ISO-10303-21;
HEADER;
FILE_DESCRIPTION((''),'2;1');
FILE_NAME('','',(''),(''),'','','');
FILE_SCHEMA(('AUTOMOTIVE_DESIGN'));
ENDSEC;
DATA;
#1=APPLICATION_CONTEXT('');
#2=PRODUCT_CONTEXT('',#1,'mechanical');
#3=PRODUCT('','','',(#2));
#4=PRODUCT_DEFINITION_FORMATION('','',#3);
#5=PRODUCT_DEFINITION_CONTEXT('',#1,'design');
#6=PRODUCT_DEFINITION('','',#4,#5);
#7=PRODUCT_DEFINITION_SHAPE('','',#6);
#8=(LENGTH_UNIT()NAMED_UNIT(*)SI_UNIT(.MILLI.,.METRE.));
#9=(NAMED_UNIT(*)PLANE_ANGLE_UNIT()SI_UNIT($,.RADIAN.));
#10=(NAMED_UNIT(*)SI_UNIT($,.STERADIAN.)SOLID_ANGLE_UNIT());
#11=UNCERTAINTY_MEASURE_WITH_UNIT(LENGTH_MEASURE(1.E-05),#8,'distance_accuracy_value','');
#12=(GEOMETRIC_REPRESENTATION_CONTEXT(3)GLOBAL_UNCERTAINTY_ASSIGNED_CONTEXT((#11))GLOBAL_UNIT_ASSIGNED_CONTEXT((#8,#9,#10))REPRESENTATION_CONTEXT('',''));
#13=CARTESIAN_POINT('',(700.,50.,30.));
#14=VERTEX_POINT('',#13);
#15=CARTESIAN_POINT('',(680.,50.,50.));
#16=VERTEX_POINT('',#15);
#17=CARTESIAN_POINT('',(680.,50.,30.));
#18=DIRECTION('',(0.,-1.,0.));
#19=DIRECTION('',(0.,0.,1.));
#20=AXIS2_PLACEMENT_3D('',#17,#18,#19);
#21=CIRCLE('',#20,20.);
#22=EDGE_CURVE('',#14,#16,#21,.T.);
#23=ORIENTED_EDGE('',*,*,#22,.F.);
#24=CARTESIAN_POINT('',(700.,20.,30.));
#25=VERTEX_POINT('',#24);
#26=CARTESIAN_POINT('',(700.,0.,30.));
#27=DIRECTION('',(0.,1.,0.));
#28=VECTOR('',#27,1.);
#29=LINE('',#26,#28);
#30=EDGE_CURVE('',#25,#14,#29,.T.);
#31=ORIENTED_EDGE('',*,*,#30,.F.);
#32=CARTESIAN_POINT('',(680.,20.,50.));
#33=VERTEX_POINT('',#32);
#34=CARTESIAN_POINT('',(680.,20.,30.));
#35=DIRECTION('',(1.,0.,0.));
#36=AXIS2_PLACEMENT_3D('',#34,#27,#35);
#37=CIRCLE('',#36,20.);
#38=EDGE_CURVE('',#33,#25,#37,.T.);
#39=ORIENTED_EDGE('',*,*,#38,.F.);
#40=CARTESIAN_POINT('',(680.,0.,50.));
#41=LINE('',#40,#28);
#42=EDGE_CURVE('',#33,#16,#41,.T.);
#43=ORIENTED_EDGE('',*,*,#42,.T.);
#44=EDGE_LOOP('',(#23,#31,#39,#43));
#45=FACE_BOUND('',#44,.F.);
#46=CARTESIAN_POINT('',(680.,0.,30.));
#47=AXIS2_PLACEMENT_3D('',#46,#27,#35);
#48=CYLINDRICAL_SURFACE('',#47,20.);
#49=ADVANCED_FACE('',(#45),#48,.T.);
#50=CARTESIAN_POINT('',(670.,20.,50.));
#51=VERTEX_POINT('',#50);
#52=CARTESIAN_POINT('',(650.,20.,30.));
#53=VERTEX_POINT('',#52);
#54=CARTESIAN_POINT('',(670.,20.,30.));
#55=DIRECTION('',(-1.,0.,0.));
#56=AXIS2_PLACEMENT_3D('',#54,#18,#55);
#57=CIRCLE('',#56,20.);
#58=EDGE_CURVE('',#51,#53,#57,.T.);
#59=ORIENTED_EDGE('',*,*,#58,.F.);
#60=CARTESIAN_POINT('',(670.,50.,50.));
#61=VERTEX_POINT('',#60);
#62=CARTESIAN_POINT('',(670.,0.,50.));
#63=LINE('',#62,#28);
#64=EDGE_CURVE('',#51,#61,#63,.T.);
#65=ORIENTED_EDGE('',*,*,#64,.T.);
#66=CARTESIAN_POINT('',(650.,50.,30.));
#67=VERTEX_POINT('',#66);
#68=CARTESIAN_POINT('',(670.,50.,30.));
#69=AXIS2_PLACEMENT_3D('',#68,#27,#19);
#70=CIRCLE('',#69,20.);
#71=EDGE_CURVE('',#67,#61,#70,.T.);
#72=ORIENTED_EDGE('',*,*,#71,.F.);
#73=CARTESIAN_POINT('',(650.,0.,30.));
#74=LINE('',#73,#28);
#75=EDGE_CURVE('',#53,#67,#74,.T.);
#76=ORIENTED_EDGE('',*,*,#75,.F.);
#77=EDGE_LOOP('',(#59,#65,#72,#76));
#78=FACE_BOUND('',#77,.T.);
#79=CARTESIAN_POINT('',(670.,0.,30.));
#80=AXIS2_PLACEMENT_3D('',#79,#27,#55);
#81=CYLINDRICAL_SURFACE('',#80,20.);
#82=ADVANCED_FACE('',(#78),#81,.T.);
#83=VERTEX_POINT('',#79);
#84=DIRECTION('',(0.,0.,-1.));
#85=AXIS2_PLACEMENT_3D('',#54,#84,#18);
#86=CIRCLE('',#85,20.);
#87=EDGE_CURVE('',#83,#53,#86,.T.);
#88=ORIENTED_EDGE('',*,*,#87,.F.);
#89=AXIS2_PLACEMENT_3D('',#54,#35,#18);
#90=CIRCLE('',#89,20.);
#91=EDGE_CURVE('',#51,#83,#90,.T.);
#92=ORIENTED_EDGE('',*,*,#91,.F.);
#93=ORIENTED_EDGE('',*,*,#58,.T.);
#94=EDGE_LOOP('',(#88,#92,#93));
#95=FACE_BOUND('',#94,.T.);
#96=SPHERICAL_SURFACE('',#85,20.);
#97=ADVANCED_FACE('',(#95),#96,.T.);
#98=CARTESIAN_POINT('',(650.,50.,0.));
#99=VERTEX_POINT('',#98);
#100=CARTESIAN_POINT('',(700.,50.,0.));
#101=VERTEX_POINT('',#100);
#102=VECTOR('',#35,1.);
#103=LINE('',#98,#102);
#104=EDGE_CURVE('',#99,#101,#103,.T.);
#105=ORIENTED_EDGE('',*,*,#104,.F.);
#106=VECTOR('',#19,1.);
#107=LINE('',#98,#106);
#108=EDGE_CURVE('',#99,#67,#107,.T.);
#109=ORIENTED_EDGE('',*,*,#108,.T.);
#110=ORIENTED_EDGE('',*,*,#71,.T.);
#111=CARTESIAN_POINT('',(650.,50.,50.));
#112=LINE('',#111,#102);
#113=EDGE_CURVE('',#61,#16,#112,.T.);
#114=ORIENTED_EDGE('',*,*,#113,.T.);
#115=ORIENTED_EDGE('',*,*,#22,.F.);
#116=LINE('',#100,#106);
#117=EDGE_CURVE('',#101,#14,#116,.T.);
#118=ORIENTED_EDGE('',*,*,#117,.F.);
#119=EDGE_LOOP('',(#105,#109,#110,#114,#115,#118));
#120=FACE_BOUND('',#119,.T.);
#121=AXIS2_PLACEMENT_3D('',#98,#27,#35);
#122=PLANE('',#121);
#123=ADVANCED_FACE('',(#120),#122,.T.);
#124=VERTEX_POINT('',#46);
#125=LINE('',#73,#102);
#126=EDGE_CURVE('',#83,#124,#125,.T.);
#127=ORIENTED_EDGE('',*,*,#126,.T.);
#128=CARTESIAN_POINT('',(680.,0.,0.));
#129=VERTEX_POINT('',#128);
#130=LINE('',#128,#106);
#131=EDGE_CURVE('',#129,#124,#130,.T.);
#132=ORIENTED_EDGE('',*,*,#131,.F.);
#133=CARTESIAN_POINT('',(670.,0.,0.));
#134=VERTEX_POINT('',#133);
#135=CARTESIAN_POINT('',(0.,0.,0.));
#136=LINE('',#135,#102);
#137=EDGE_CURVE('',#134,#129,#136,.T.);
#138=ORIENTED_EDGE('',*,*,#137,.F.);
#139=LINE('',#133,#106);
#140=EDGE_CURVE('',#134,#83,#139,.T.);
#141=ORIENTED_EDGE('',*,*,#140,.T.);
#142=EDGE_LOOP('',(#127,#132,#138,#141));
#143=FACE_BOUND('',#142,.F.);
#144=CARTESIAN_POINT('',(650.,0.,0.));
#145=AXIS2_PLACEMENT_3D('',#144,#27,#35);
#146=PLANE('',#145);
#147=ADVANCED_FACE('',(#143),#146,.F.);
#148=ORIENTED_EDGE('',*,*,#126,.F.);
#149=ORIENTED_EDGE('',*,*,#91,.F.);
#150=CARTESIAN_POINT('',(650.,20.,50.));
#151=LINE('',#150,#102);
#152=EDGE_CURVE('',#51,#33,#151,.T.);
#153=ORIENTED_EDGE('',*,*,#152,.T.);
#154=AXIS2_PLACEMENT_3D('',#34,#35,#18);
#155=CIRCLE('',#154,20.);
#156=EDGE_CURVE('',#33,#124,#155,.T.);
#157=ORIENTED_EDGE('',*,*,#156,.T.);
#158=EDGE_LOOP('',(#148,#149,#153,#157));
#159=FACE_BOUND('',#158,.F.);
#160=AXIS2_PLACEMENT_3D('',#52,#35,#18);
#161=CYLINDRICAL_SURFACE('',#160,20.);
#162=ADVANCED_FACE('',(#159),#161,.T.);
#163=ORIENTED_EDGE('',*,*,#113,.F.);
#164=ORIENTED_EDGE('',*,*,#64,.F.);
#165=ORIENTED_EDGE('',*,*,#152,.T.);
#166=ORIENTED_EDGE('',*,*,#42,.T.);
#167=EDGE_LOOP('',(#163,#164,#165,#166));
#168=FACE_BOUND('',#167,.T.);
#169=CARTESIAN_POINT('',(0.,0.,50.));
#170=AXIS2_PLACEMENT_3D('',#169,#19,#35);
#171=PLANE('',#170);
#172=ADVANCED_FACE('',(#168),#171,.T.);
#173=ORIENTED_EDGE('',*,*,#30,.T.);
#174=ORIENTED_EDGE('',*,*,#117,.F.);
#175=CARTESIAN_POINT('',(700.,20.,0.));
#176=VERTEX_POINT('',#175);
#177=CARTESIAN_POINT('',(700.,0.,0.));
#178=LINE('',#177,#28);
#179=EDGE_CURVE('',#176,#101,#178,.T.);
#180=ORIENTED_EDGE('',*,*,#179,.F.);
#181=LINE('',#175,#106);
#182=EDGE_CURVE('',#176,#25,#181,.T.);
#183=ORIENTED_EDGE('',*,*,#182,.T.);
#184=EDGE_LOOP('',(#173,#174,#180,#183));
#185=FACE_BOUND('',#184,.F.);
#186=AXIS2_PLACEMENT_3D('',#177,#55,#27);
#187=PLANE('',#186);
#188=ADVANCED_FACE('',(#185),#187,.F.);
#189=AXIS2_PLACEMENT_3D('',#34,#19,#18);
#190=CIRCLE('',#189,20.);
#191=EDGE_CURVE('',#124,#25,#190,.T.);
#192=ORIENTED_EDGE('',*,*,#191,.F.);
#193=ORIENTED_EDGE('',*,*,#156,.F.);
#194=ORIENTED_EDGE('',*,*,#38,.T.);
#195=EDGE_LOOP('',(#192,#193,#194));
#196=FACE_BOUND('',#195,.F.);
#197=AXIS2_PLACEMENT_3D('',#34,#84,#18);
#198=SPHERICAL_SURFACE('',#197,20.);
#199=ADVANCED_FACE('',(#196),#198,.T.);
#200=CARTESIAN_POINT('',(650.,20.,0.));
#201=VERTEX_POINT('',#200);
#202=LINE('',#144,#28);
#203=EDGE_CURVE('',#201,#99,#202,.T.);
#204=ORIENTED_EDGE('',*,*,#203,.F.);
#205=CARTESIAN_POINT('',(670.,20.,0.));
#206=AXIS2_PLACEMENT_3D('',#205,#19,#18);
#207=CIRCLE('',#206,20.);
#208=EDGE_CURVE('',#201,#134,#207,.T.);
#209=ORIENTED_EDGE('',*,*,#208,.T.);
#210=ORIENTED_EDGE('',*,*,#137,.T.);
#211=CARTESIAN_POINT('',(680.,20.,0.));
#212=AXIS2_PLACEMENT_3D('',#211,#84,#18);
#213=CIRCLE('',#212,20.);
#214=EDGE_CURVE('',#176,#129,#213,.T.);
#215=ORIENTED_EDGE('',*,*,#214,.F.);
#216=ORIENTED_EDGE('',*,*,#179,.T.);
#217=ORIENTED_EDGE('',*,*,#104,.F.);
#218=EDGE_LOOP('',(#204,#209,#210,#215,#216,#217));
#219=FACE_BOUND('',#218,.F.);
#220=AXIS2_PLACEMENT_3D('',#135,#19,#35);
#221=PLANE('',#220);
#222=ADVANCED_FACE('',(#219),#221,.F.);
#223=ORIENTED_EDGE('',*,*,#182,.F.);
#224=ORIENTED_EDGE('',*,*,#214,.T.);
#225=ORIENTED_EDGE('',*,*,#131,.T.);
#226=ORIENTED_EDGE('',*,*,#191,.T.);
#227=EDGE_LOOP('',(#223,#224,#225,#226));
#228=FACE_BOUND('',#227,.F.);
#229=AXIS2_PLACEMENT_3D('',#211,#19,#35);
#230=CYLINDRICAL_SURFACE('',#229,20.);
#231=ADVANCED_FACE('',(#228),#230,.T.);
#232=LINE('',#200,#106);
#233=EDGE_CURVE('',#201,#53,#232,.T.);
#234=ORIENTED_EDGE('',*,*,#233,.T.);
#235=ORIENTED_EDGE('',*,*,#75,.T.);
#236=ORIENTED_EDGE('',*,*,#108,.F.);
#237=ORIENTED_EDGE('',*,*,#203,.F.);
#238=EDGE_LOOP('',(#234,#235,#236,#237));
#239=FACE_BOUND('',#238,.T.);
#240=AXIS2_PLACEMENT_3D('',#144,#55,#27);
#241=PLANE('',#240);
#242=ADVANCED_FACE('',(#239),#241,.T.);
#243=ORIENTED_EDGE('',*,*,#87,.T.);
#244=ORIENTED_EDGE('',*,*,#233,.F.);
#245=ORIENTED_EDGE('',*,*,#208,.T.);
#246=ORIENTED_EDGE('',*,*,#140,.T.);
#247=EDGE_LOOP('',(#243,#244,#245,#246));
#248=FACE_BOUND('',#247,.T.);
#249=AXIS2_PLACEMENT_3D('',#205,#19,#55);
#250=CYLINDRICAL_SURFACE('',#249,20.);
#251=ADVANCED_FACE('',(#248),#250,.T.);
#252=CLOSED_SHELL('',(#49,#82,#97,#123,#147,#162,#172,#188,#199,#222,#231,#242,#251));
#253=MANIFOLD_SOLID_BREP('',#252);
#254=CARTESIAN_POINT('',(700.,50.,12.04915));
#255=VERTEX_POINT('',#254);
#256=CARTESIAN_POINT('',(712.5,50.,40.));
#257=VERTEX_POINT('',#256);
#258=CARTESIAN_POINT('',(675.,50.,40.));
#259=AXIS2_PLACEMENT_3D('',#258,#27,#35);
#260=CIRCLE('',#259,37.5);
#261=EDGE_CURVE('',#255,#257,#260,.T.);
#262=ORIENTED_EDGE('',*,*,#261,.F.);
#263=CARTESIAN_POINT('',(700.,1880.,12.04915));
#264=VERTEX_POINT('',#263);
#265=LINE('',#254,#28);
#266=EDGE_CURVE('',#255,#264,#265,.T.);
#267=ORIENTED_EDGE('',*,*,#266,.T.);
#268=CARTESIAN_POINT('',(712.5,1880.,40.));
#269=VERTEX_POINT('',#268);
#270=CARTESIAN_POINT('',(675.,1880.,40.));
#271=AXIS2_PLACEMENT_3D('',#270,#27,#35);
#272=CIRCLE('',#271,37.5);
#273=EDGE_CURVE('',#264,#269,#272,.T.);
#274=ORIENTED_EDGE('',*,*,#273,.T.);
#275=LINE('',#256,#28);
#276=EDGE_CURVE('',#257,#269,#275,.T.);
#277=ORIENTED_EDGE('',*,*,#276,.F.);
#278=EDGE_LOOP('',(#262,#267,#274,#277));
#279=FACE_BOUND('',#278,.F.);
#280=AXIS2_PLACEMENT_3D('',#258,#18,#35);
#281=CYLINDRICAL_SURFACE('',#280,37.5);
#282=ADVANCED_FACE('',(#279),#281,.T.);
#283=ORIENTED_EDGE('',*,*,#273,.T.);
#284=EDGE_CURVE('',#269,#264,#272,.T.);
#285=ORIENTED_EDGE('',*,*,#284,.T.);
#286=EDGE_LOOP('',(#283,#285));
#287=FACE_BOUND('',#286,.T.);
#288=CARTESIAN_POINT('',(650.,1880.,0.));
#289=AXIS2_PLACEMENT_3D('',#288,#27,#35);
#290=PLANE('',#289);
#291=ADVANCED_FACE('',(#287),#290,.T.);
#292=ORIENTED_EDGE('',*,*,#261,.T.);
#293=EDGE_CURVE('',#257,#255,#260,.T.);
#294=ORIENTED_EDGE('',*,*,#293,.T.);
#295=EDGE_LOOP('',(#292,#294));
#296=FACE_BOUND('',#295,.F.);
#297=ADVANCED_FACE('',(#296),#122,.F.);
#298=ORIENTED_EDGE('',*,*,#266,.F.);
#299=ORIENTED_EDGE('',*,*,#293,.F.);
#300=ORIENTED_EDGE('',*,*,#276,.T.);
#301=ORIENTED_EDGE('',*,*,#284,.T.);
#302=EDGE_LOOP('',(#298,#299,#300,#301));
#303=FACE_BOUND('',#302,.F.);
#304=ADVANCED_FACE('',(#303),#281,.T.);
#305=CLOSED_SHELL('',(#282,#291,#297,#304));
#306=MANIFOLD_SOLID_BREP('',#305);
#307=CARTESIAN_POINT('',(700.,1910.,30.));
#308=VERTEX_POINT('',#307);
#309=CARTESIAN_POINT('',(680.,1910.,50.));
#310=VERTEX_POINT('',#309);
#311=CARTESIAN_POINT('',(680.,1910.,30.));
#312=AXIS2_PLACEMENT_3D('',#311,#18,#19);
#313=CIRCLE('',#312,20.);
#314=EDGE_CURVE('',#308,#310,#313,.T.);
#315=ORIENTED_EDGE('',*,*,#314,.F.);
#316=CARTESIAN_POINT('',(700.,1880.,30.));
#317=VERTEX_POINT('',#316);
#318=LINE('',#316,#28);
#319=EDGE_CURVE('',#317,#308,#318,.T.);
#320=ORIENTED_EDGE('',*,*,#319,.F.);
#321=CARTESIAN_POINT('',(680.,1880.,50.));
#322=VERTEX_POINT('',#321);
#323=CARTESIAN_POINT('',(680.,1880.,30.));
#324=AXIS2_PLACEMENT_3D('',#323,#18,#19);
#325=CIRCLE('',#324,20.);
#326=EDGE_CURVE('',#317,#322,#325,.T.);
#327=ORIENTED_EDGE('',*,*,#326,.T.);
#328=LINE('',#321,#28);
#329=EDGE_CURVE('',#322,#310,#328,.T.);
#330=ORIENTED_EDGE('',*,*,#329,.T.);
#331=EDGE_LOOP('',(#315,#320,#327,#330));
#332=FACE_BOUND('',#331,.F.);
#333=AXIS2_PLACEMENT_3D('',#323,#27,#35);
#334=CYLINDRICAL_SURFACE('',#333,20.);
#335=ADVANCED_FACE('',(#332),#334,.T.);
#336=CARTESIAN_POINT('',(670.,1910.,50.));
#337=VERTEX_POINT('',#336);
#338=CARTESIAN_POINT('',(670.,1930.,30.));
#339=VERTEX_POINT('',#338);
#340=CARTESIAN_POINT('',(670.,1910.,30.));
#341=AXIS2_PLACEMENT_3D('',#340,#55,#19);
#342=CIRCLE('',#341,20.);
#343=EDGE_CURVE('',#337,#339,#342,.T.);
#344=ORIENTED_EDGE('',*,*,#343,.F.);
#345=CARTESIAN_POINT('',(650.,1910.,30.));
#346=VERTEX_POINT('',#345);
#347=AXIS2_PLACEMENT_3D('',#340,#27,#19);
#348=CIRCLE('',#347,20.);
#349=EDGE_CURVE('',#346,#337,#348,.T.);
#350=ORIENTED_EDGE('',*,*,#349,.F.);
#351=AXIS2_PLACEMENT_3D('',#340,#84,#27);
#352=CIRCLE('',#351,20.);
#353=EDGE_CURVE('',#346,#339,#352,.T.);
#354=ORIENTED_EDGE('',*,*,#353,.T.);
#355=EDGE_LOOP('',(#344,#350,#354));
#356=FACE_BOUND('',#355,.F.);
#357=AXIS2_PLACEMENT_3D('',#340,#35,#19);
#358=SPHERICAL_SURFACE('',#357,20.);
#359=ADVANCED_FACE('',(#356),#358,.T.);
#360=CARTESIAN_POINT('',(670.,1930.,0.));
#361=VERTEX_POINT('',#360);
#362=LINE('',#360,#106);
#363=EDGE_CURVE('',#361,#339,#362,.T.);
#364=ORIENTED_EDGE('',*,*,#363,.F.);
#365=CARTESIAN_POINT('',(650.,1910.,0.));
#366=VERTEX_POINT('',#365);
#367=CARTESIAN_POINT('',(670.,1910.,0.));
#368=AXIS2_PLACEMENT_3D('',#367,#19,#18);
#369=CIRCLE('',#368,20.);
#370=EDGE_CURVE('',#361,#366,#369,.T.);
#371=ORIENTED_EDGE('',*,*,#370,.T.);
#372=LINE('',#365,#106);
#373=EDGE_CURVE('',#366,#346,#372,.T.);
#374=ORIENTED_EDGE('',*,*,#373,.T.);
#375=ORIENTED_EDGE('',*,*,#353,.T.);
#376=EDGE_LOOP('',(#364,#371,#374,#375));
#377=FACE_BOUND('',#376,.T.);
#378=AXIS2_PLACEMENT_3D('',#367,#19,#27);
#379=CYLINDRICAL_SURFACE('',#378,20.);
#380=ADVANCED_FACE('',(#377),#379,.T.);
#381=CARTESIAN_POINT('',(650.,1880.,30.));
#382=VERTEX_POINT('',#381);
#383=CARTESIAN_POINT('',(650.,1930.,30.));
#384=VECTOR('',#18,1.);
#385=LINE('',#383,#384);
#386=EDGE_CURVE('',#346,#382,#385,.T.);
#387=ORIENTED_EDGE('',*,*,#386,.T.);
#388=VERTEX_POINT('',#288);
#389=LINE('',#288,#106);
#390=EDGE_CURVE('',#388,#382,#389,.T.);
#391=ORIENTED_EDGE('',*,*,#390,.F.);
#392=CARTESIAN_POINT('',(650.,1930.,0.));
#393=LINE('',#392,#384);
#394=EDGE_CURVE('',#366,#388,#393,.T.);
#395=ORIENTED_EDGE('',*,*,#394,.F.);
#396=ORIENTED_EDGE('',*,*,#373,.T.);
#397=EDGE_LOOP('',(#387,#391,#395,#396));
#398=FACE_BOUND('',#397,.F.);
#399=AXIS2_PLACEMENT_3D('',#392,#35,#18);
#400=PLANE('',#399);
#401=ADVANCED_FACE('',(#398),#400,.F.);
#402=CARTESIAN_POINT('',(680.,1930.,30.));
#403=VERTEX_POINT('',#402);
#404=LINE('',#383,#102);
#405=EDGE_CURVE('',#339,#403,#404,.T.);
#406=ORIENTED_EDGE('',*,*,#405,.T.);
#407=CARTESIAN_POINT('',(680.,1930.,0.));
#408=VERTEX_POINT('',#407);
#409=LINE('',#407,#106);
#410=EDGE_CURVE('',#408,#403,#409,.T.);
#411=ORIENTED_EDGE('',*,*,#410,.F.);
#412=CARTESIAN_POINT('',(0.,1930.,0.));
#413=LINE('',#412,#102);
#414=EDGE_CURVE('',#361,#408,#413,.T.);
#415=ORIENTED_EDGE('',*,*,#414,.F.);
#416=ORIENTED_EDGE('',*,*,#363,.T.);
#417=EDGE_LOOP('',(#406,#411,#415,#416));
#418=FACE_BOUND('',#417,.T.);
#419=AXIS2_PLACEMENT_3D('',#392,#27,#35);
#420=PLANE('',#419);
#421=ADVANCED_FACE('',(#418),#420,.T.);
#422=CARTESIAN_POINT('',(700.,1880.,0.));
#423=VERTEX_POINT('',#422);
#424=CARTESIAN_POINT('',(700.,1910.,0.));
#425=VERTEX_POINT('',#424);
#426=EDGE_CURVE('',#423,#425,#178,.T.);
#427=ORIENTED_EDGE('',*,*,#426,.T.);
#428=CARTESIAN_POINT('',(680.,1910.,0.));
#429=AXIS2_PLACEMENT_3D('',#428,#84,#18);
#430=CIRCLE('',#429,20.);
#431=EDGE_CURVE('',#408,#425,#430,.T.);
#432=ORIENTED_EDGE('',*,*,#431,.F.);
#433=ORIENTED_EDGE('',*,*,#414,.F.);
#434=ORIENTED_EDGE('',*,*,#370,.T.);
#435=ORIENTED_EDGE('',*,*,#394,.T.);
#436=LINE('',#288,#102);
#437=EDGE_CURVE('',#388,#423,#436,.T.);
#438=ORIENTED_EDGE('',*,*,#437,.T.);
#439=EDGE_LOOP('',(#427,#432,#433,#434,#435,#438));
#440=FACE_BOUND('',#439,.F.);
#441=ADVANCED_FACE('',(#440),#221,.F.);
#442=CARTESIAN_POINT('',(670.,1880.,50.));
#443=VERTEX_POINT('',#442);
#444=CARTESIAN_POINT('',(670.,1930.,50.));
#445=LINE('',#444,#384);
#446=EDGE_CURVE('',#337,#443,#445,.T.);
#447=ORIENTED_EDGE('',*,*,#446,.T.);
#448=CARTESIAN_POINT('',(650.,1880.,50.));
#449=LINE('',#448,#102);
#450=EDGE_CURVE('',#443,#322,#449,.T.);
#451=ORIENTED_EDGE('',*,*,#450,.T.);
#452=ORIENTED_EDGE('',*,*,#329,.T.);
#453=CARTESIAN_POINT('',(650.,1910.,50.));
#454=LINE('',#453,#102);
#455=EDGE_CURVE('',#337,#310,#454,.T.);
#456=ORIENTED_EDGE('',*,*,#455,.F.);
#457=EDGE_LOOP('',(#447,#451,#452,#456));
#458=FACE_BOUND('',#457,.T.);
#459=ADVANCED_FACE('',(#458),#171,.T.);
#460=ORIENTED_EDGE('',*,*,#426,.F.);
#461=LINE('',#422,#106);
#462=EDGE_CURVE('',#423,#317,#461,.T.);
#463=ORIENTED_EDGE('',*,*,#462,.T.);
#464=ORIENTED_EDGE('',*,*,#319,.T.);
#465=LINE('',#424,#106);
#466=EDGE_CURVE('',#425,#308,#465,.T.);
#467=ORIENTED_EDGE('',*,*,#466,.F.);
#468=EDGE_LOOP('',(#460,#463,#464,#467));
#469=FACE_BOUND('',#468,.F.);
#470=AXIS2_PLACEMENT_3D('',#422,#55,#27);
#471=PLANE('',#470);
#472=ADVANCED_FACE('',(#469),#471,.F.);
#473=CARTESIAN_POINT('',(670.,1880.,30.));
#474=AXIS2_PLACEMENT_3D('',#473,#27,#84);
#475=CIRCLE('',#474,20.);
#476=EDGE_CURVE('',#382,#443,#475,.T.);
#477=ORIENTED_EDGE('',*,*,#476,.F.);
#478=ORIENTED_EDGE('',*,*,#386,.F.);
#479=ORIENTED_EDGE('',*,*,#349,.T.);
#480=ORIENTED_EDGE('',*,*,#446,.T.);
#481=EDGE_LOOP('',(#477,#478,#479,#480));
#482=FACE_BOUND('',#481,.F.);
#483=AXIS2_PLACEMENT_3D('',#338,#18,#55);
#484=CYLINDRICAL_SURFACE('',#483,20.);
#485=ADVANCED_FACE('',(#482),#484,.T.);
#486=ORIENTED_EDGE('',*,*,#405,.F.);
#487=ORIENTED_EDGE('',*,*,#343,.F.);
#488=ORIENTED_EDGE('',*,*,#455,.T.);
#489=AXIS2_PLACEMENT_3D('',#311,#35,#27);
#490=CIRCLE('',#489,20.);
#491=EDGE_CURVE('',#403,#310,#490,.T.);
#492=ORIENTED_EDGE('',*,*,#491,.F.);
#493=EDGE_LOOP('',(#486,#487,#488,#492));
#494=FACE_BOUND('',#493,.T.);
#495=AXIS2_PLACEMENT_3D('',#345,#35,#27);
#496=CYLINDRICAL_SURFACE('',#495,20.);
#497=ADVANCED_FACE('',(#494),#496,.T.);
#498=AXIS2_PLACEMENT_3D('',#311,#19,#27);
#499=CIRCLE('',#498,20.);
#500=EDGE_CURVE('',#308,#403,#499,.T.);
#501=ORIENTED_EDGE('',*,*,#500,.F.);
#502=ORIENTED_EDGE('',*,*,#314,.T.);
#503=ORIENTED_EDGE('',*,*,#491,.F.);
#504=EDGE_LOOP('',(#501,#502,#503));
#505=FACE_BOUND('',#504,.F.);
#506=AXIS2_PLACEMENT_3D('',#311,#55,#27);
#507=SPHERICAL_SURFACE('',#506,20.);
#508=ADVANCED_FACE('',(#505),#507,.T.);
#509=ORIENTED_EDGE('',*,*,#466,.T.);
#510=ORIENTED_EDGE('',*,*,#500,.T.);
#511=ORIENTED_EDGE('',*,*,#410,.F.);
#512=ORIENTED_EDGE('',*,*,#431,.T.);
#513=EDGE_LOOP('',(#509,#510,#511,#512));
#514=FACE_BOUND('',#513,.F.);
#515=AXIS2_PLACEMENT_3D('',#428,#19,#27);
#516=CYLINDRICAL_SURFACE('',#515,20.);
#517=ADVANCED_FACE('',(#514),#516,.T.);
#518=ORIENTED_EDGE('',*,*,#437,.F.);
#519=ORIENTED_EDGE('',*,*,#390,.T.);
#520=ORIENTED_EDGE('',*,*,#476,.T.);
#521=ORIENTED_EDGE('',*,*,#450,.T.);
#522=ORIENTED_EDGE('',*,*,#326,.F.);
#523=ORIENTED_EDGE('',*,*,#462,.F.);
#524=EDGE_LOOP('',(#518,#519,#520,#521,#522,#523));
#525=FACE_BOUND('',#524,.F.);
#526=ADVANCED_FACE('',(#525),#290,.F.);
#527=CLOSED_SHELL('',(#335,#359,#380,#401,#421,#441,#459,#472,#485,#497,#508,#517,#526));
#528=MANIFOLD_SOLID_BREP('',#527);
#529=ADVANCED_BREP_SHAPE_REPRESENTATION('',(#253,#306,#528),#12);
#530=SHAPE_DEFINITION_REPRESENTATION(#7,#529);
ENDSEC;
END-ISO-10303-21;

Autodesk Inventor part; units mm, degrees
ref_plane "YZ Plane" through (0, 0, 0) normal (1, 0, 0) x (0, 1, 0)
ref_plane "XZ Plane" through (0, 0, 0) normal (0, 1, 0) x (-1, 0, 0)
ref_plane "XY Plane" through (0, 0, 0) normal (0, 0, 1) x (1, 0, 0)
ref_plane "Work Plane1" through (0, 0, 0) normal (0, 0, 1) x (1, 0, 0)
sketch "Sketch1" plane through (0, 0, 0) normal (0, 0, 1) x (1, 0, 0)
  line L0 (0, 0) -> (700, 0) projected
  line L1 (700, 0) -> (700, 1930) projected
  line L2 (0, 1930) -> (700, 1930) projected
  line L3 (0, 0) -> (0, 1930) projected
  line L4 (700, 0) -> (650, 0)
  line L5 (650, 0) -> (650, 50)
  line L6 (650, 50) -> (700, 50)
  line L7 (700, 50) -> (700, 0)
  line L8 (700, 1930) -> (650, 1930)
  line L9 (650, 1930) -> (650, 1880)
  line L10 (650, 1880) -> (700, 1880)
  line L11 (700, 1880) -> (700, 1930)
  point P0 (650, 1930)
  dimension "d0" = 50
  dimension "d1" = 50
  dimension "d2" = 50
extrude "Extrusion1" add sketch "Sketch1" along normal blind 50 contours L5 L6 L1 L0 | L2 L1 L10 L9
fillet "Fillet1" radius 20 10 edges at (700, 0, 25) (650, 0, 25) (675, 0, 50) (650, 25, 50) (700, 25, 50) (675, 1930, 50) (700, 1930, 25) (700, 1905, 50) (650, 1905, 50) (650, 1930, 25)
sketch "Sketch2" plane through (650, 50, 0) normal (0, 1, 0) x (1, 0, 0)
  circle A0 centre (25, -40) radius 37.5
  line L0 (50, 0) -> (0, 0) projected
  line L1 (-22.934, -16.6175) -> (-13.936, -55.5923) projected
  line L2 (50, 0) -> (50, -30) projected
  point P0 (-650, 0)
  dimension "d6" = 40
  dimension "d7" = 25
  dimension "d8" = 75
extrude "Extrusion2" add sketch "Sketch2" along normal up to surface (1830 mm away) separate body
properties part number "canvas-cover-stowed-V2"
